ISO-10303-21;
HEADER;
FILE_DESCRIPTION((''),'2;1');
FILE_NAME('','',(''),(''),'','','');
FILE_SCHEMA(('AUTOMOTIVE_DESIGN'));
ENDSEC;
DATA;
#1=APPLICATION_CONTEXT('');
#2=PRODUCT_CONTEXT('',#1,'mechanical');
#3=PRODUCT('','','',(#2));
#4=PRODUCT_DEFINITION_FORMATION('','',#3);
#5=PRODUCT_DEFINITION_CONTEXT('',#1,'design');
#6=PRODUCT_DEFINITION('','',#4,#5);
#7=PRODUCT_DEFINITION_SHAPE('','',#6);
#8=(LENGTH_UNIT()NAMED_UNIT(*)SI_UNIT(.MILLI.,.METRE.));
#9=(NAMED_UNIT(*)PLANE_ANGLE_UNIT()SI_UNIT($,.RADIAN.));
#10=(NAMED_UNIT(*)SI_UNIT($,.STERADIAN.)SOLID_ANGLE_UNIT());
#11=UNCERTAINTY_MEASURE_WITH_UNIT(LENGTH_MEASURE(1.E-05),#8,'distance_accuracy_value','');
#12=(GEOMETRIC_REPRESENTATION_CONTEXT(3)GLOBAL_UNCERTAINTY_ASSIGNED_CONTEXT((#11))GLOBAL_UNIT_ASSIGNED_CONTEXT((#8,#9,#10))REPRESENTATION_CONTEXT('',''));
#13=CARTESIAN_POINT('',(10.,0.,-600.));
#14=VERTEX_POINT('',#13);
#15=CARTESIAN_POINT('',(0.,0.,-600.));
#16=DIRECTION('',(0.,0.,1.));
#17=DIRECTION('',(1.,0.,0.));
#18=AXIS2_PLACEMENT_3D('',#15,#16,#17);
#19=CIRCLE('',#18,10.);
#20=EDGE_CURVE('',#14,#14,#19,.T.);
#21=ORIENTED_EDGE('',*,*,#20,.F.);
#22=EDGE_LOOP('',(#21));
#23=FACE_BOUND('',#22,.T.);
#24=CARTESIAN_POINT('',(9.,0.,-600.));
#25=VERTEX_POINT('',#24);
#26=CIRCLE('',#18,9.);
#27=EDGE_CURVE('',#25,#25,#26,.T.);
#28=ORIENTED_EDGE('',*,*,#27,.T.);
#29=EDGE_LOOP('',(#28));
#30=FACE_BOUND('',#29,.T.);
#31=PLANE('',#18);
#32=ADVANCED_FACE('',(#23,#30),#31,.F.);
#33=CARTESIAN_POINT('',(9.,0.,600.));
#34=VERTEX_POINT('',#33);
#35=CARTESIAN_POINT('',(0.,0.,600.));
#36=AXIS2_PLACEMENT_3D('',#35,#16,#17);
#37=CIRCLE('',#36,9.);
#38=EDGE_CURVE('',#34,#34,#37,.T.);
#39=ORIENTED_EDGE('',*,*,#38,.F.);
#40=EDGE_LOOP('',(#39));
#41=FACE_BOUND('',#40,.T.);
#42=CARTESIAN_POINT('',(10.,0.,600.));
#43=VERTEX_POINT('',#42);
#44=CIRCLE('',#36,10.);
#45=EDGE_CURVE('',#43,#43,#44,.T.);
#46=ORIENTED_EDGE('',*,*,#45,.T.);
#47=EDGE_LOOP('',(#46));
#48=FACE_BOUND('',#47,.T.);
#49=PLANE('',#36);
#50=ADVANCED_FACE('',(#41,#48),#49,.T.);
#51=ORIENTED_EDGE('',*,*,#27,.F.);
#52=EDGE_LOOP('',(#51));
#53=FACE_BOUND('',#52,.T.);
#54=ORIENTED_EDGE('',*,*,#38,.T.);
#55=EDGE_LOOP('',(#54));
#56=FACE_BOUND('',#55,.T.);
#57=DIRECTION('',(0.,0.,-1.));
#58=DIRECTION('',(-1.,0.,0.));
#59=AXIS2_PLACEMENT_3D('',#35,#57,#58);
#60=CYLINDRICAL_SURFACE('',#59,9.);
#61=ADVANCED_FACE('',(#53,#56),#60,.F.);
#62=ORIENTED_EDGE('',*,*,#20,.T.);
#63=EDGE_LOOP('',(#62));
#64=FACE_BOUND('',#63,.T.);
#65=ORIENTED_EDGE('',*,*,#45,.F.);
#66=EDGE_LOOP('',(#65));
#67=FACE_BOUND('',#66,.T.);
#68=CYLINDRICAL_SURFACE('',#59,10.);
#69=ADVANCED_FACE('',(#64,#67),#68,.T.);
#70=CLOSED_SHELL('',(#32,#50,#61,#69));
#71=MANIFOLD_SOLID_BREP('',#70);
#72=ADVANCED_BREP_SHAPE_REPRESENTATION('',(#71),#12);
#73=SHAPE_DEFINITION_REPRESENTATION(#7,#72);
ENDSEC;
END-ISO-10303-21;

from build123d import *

# Parameters (mm, degrees)
SKETCH_1_R      = 10
SKETCH_1_R_2    = 9
EXTRUDE_1_DEPTH = 600


with BuildPart() as part:
    # Эскиз1 → Бобышка-Вытянуть1 (new body, symmetric)
    with BuildSketch(Plane.XY):
        Circle(SKETCH_1_R)
        Circle(SKETCH_1_R_2, mode=Mode.SUBTRACT)
    extrude(amount=EXTRUDE_1_DEPTH, both=True)


solid = part.part
